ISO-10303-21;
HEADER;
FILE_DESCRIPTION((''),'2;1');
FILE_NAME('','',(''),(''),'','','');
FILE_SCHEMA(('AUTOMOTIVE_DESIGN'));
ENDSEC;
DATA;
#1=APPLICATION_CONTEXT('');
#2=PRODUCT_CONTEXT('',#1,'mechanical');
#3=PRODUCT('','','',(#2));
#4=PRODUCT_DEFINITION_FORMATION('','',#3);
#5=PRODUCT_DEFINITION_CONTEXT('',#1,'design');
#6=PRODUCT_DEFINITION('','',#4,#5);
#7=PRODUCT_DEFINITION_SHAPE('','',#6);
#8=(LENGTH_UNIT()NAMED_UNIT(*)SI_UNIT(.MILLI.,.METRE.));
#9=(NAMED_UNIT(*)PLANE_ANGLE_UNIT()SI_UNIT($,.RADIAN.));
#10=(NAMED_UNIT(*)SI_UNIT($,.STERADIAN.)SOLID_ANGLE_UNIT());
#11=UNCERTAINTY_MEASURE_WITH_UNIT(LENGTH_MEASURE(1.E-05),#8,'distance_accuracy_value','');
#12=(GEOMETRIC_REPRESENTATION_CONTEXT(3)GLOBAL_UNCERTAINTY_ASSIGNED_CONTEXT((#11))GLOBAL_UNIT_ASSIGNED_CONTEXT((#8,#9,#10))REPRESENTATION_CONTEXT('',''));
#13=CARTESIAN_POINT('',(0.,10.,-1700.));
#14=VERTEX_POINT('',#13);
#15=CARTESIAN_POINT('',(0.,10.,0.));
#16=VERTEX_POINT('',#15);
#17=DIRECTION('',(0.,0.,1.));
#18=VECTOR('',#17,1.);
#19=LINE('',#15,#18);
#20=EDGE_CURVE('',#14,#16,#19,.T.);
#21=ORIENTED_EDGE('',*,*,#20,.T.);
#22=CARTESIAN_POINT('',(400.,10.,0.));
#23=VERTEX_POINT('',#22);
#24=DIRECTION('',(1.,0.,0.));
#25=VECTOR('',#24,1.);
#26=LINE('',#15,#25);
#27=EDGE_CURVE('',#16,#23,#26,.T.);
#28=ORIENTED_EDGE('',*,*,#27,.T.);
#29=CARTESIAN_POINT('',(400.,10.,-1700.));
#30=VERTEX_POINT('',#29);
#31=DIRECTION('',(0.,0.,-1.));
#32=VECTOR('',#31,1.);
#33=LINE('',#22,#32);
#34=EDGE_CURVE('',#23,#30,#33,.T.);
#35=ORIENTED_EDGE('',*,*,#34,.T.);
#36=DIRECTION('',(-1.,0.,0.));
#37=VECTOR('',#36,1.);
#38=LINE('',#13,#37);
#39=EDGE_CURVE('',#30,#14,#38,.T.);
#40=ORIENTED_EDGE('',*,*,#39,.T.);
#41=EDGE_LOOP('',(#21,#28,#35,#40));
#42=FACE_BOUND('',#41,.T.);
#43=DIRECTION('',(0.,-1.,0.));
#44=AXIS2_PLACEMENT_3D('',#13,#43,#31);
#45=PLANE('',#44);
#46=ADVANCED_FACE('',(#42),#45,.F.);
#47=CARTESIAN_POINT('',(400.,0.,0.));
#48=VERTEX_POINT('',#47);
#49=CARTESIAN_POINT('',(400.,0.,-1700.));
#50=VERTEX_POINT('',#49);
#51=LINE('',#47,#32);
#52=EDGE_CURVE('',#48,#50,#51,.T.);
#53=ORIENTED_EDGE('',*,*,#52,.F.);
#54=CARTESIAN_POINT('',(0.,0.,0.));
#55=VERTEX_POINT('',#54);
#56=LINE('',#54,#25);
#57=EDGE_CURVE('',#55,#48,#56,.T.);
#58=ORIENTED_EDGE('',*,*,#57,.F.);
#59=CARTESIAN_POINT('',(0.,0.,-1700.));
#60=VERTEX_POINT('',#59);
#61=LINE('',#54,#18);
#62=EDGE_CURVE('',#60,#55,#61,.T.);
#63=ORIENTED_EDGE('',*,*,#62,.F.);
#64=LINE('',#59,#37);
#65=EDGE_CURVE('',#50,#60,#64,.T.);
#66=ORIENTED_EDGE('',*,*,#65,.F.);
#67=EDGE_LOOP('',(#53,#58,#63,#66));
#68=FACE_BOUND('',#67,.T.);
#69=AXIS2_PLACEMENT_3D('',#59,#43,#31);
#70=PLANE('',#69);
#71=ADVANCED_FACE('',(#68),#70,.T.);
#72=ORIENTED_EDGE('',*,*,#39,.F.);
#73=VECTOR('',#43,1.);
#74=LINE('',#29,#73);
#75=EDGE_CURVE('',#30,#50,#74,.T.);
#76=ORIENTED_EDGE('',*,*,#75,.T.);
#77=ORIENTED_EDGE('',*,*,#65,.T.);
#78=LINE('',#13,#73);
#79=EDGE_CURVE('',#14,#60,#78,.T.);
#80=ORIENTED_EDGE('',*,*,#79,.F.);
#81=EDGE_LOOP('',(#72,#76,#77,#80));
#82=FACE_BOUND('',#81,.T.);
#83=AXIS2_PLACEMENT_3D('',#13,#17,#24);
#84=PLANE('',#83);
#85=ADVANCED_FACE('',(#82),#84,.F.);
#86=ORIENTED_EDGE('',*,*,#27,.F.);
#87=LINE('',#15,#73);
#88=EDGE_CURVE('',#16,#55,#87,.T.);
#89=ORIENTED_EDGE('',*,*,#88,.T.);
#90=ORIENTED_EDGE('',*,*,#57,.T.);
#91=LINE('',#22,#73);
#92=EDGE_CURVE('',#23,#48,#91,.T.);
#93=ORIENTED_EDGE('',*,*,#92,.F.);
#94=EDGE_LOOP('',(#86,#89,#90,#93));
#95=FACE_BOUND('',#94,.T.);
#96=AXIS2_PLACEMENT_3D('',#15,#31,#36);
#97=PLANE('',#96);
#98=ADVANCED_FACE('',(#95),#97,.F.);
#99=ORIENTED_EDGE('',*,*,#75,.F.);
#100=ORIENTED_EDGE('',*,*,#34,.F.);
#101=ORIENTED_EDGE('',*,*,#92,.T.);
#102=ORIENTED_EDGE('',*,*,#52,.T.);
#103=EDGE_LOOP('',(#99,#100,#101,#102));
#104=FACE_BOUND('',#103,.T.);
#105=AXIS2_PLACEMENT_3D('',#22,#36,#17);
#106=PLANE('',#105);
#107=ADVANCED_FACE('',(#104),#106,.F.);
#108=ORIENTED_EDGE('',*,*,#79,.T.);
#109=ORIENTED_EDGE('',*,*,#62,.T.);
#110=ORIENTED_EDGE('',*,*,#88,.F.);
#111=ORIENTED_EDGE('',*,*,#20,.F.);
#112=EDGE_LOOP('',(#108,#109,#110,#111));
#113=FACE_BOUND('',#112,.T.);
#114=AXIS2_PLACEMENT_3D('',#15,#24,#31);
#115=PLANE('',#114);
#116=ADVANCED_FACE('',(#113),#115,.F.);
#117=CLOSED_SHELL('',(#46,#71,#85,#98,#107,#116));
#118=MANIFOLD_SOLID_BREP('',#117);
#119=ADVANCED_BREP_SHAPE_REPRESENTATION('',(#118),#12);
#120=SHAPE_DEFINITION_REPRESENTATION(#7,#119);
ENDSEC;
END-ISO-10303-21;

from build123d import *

# Parameters (mm, degrees)
ESQUISSE1_W      = 400
ESQUISSE1_H      = 1700
EXTRUSION1_DEPTH = 10


with BuildPart() as part:
    # Esquisse1 → Extrusion1 (new body)
    with BuildSketch(Plane(origin=(0, 0, 0), x_dir=(1, 0, 0), z_dir=(0, 1, 0))):
        with Locations((200, 850)):
            Rectangle(ESQUISSE1_W, ESQUISSE1_H)
    extrude(amount=EXTRUSION1_DEPTH)


solid = part.part
